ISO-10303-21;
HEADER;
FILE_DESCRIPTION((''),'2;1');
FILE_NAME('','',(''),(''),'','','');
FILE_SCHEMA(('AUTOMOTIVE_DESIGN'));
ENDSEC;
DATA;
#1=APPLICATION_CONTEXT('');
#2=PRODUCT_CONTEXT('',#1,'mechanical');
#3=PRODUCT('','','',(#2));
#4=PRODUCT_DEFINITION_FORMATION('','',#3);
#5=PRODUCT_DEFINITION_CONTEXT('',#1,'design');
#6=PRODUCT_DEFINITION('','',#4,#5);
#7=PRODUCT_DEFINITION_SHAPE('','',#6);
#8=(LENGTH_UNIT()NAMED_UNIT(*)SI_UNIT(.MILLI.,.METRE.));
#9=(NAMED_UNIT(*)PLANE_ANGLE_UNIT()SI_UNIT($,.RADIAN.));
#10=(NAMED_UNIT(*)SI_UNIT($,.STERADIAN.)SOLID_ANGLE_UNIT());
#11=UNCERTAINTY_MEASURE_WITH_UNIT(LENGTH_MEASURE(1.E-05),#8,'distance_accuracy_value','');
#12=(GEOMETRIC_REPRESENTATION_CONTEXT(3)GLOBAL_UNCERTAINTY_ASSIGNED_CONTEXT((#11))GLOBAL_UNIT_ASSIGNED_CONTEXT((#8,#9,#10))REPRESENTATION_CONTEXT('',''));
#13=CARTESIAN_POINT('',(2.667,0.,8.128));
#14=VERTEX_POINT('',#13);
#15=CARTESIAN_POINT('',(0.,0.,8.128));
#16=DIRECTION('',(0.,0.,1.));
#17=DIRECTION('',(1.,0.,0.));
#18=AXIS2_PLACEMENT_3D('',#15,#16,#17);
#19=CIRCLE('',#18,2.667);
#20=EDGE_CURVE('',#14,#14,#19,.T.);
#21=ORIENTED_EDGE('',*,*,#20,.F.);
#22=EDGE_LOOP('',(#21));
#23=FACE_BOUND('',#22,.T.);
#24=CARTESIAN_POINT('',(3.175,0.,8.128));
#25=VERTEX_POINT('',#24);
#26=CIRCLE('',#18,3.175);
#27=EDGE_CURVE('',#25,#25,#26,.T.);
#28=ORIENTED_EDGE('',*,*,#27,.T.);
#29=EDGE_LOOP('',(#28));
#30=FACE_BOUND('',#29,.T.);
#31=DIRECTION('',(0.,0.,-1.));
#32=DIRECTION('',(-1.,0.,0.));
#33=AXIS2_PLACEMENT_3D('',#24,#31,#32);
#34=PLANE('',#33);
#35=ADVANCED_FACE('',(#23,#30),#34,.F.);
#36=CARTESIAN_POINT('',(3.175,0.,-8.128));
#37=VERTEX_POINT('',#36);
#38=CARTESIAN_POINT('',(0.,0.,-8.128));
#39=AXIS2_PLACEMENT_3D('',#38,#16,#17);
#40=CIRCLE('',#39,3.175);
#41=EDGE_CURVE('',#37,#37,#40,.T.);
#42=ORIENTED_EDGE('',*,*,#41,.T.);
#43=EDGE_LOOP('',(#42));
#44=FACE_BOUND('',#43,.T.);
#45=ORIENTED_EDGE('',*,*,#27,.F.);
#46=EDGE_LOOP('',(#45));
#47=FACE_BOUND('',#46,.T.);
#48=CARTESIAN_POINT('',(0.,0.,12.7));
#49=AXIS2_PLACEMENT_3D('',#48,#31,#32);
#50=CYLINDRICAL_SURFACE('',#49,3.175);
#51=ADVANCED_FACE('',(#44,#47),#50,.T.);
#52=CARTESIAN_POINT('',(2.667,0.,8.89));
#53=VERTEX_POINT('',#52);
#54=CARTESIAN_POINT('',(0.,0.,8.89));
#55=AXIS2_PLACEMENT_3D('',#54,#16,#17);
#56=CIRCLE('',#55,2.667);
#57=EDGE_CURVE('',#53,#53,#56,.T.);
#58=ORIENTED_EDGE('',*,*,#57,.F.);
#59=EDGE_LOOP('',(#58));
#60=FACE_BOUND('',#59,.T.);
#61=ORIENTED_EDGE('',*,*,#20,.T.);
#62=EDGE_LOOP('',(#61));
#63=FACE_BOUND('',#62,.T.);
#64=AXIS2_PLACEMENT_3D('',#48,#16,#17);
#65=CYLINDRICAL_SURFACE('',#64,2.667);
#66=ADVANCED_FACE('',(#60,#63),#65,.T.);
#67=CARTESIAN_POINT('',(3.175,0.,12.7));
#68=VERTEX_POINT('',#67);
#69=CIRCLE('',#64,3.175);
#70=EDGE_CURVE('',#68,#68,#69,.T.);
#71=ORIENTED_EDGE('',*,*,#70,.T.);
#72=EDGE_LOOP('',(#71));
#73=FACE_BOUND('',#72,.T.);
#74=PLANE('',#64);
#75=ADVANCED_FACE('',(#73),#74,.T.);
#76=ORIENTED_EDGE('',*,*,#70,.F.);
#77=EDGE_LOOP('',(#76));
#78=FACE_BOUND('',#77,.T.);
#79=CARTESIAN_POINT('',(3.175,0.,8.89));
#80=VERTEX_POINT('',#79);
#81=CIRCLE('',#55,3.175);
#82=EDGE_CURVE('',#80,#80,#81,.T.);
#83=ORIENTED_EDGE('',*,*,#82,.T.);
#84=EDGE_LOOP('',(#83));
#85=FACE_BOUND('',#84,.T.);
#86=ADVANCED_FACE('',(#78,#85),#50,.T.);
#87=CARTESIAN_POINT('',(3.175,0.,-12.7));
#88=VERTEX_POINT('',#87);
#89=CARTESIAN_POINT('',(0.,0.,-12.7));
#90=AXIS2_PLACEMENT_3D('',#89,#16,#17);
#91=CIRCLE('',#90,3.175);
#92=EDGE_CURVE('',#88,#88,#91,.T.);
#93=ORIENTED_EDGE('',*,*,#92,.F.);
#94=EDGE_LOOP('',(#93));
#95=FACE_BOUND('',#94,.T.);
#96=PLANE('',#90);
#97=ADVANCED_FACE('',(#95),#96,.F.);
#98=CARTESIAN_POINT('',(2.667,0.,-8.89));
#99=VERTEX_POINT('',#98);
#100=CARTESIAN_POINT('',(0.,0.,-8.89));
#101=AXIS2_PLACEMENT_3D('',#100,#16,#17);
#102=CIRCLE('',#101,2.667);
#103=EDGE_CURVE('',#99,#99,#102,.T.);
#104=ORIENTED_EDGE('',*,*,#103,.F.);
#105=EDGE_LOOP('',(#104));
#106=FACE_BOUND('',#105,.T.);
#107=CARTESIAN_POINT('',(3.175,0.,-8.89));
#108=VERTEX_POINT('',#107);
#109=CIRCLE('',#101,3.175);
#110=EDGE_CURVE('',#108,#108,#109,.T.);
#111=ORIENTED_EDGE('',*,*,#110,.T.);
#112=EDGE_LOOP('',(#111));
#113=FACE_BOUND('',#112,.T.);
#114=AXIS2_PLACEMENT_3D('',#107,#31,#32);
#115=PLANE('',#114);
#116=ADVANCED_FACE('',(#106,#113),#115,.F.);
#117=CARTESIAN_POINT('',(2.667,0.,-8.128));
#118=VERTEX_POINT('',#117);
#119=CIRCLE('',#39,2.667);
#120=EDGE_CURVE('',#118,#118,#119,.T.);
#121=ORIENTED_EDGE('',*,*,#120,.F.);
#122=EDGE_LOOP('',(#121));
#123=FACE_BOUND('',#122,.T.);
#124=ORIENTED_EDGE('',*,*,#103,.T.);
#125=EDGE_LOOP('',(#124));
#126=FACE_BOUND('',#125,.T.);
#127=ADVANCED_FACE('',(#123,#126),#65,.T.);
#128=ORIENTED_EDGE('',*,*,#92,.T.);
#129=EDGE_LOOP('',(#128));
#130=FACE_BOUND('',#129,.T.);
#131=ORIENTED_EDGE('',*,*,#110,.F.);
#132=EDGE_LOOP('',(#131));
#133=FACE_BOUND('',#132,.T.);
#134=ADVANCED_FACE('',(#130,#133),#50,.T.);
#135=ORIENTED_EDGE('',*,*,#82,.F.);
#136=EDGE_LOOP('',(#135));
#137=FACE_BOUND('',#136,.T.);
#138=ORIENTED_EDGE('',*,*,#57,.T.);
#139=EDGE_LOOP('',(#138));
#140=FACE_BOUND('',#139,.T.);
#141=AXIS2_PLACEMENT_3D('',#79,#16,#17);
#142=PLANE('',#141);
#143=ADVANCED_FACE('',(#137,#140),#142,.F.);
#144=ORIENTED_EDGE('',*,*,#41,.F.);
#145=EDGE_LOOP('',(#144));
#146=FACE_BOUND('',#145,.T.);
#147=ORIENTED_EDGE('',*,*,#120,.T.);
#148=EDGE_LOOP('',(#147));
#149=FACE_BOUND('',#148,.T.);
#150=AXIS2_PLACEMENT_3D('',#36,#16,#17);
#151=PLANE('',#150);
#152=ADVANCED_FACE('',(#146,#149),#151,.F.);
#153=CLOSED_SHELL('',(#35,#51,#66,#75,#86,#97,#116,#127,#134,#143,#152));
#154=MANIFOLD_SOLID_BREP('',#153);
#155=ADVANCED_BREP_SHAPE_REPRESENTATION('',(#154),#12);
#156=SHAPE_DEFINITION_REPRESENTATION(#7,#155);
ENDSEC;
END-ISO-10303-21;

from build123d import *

# Parameters (mm, degrees)
SKETCH1_R           = 3.175
BOSS_EXTRUDE1_DEPTH = 12.7
SKETCH2_W           = 0.508
SKETCH2_H           = 0.762


with BuildPart() as part:
    # Sketch1 → Boss-Extrude1 (new body, symmetric)
    with BuildSketch(Plane.XY):
        Circle(SKETCH1_R)
    extrude(amount=BOSS_EXTRUDE1_DEPTH, both=True)

    # Sketch2 → Cut-Revolve1 (revolve, cut)
    with BuildSketch(Plane(origin=(0, 0, 0), x_dir=(1, 0, 0), z_dir=(0, 1, 0))):
        with Locations((2.921, 8.509)):
            Rectangle(SKETCH2_W, SKETCH2_H)
        with Locations((2.921, -8.509)):
            Rectangle(SKETCH2_W, SKETCH2_H)
    revolve(axis=Axis((0, 0, 12.7), (0, 0, -1)), mode=Mode.SUBTRACT)


solid = part.part
